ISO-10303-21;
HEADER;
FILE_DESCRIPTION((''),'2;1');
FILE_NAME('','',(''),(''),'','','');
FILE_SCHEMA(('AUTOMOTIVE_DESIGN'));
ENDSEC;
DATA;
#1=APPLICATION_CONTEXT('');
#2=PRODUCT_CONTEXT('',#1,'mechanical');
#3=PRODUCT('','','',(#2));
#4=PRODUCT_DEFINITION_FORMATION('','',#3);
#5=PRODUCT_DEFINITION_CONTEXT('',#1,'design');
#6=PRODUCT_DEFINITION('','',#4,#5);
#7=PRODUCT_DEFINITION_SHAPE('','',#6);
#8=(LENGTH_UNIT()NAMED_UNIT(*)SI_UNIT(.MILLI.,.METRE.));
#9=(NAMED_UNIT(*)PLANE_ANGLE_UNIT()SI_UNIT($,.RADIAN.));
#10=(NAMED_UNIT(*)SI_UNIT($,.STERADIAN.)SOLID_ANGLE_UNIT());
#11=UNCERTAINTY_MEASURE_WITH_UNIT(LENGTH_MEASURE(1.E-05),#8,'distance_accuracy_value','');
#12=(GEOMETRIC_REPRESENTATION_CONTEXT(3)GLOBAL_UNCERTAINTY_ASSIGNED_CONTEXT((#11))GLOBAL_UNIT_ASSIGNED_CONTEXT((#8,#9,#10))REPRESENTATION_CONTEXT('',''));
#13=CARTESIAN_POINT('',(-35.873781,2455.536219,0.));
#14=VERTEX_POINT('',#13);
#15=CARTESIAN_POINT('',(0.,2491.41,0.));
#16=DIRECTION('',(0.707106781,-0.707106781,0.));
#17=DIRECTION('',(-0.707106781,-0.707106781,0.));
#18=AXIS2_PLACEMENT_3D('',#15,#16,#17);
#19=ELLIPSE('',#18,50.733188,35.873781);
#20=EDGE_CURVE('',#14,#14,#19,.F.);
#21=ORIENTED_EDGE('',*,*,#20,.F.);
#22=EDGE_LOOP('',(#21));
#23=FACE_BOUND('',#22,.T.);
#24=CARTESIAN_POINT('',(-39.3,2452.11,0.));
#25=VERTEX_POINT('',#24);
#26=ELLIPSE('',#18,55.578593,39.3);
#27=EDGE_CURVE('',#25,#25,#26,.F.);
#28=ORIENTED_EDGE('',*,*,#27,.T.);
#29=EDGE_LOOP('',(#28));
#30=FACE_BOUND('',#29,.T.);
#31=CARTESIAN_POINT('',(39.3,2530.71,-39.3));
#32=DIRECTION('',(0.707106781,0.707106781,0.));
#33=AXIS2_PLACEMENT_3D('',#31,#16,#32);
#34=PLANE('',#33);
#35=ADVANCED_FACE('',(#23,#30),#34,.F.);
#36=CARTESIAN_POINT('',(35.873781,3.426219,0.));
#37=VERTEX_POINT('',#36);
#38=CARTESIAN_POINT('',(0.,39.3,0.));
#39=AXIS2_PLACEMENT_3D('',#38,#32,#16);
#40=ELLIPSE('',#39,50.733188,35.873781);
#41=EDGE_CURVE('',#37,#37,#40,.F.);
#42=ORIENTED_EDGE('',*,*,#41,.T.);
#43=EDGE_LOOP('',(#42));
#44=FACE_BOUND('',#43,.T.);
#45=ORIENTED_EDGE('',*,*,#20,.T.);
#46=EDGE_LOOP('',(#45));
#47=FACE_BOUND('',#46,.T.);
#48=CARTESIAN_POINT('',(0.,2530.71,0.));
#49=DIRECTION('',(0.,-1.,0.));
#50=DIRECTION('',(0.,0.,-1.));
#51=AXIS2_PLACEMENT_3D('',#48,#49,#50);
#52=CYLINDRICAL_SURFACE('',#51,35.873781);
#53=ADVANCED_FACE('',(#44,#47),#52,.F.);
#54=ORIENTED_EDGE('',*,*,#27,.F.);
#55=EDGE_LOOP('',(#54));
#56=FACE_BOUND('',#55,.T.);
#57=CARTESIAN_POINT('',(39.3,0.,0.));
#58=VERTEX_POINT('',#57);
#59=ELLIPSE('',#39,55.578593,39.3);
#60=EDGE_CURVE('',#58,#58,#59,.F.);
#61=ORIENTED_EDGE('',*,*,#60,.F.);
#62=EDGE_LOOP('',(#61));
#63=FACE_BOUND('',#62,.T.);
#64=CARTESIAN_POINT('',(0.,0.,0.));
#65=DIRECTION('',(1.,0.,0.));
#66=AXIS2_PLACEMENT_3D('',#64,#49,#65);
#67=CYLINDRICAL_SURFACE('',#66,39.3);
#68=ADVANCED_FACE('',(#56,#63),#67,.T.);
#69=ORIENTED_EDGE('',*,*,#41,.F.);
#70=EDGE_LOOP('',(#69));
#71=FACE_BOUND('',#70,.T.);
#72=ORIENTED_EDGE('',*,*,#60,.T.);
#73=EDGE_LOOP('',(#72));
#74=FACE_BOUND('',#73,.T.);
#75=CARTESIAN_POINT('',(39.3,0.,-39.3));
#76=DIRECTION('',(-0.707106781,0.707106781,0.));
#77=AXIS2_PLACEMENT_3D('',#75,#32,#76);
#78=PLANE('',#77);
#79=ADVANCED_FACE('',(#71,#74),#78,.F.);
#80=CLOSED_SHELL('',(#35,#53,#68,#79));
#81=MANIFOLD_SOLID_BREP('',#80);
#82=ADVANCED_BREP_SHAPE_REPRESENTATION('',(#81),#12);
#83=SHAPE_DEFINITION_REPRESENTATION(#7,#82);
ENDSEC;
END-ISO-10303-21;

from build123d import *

# Parameters (mm, degrees)
ESBO_O2_W                  = 39.3
ESBO_O2_H                  = 2530.71
CORTE_EXTRUS_O1_DEPTH      = 2532.320225515
CORTE_EXTRUS_O1_DEPTH_BACK = 2532.320225515
ESBO_O9_R                  = 35.87378144
CORTE_EXTRUS_O6_DEPTH      = 2532.320225515


with BuildPart() as part:
    # Esboço2 → Revolução2 (revolve)
    with BuildSketch(Plane.XY):
        with Locations((19.65, 1265.355)):
            Rectangle(ESBO_O2_W, ESBO_O2_H)
    revolve(axis=Axis((0, 0, 0), (0, 1, 0)))

    # Esboço3 → Corte-extrusão1 (cut, two sides: drawn at the far end of the back side and taken through both)
    with BuildSketch(Plane.XY.offset(-CORTE_EXTRUS_O1_DEPTH_BACK)):
        Polygon((-39.3, 2530.71), (39.3, 2530.71), (-39.3, 2452.11), align=None)
        Polygon((39.3, 0), (-39.3, 78.6), (-39.3, 0), align=None)
    extrude(amount=CORTE_EXTRUS_O1_DEPTH + CORTE_EXTRUS_O1_DEPTH_BACK, mode=Mode.SUBTRACT)

    # Esboço9 → Corte-extrusão6 (cut, through all)
    with BuildSketch(Plane(origin=(0, 0, 0), x_dir=(1, 0, 0), z_dir=(0, 1, 0))):
        Circle(ESBO_O9_R)
    extrude(amount=CORTE_EXTRUS_O6_DEPTH, mode=Mode.SUBTRACT)


solid = part.part
